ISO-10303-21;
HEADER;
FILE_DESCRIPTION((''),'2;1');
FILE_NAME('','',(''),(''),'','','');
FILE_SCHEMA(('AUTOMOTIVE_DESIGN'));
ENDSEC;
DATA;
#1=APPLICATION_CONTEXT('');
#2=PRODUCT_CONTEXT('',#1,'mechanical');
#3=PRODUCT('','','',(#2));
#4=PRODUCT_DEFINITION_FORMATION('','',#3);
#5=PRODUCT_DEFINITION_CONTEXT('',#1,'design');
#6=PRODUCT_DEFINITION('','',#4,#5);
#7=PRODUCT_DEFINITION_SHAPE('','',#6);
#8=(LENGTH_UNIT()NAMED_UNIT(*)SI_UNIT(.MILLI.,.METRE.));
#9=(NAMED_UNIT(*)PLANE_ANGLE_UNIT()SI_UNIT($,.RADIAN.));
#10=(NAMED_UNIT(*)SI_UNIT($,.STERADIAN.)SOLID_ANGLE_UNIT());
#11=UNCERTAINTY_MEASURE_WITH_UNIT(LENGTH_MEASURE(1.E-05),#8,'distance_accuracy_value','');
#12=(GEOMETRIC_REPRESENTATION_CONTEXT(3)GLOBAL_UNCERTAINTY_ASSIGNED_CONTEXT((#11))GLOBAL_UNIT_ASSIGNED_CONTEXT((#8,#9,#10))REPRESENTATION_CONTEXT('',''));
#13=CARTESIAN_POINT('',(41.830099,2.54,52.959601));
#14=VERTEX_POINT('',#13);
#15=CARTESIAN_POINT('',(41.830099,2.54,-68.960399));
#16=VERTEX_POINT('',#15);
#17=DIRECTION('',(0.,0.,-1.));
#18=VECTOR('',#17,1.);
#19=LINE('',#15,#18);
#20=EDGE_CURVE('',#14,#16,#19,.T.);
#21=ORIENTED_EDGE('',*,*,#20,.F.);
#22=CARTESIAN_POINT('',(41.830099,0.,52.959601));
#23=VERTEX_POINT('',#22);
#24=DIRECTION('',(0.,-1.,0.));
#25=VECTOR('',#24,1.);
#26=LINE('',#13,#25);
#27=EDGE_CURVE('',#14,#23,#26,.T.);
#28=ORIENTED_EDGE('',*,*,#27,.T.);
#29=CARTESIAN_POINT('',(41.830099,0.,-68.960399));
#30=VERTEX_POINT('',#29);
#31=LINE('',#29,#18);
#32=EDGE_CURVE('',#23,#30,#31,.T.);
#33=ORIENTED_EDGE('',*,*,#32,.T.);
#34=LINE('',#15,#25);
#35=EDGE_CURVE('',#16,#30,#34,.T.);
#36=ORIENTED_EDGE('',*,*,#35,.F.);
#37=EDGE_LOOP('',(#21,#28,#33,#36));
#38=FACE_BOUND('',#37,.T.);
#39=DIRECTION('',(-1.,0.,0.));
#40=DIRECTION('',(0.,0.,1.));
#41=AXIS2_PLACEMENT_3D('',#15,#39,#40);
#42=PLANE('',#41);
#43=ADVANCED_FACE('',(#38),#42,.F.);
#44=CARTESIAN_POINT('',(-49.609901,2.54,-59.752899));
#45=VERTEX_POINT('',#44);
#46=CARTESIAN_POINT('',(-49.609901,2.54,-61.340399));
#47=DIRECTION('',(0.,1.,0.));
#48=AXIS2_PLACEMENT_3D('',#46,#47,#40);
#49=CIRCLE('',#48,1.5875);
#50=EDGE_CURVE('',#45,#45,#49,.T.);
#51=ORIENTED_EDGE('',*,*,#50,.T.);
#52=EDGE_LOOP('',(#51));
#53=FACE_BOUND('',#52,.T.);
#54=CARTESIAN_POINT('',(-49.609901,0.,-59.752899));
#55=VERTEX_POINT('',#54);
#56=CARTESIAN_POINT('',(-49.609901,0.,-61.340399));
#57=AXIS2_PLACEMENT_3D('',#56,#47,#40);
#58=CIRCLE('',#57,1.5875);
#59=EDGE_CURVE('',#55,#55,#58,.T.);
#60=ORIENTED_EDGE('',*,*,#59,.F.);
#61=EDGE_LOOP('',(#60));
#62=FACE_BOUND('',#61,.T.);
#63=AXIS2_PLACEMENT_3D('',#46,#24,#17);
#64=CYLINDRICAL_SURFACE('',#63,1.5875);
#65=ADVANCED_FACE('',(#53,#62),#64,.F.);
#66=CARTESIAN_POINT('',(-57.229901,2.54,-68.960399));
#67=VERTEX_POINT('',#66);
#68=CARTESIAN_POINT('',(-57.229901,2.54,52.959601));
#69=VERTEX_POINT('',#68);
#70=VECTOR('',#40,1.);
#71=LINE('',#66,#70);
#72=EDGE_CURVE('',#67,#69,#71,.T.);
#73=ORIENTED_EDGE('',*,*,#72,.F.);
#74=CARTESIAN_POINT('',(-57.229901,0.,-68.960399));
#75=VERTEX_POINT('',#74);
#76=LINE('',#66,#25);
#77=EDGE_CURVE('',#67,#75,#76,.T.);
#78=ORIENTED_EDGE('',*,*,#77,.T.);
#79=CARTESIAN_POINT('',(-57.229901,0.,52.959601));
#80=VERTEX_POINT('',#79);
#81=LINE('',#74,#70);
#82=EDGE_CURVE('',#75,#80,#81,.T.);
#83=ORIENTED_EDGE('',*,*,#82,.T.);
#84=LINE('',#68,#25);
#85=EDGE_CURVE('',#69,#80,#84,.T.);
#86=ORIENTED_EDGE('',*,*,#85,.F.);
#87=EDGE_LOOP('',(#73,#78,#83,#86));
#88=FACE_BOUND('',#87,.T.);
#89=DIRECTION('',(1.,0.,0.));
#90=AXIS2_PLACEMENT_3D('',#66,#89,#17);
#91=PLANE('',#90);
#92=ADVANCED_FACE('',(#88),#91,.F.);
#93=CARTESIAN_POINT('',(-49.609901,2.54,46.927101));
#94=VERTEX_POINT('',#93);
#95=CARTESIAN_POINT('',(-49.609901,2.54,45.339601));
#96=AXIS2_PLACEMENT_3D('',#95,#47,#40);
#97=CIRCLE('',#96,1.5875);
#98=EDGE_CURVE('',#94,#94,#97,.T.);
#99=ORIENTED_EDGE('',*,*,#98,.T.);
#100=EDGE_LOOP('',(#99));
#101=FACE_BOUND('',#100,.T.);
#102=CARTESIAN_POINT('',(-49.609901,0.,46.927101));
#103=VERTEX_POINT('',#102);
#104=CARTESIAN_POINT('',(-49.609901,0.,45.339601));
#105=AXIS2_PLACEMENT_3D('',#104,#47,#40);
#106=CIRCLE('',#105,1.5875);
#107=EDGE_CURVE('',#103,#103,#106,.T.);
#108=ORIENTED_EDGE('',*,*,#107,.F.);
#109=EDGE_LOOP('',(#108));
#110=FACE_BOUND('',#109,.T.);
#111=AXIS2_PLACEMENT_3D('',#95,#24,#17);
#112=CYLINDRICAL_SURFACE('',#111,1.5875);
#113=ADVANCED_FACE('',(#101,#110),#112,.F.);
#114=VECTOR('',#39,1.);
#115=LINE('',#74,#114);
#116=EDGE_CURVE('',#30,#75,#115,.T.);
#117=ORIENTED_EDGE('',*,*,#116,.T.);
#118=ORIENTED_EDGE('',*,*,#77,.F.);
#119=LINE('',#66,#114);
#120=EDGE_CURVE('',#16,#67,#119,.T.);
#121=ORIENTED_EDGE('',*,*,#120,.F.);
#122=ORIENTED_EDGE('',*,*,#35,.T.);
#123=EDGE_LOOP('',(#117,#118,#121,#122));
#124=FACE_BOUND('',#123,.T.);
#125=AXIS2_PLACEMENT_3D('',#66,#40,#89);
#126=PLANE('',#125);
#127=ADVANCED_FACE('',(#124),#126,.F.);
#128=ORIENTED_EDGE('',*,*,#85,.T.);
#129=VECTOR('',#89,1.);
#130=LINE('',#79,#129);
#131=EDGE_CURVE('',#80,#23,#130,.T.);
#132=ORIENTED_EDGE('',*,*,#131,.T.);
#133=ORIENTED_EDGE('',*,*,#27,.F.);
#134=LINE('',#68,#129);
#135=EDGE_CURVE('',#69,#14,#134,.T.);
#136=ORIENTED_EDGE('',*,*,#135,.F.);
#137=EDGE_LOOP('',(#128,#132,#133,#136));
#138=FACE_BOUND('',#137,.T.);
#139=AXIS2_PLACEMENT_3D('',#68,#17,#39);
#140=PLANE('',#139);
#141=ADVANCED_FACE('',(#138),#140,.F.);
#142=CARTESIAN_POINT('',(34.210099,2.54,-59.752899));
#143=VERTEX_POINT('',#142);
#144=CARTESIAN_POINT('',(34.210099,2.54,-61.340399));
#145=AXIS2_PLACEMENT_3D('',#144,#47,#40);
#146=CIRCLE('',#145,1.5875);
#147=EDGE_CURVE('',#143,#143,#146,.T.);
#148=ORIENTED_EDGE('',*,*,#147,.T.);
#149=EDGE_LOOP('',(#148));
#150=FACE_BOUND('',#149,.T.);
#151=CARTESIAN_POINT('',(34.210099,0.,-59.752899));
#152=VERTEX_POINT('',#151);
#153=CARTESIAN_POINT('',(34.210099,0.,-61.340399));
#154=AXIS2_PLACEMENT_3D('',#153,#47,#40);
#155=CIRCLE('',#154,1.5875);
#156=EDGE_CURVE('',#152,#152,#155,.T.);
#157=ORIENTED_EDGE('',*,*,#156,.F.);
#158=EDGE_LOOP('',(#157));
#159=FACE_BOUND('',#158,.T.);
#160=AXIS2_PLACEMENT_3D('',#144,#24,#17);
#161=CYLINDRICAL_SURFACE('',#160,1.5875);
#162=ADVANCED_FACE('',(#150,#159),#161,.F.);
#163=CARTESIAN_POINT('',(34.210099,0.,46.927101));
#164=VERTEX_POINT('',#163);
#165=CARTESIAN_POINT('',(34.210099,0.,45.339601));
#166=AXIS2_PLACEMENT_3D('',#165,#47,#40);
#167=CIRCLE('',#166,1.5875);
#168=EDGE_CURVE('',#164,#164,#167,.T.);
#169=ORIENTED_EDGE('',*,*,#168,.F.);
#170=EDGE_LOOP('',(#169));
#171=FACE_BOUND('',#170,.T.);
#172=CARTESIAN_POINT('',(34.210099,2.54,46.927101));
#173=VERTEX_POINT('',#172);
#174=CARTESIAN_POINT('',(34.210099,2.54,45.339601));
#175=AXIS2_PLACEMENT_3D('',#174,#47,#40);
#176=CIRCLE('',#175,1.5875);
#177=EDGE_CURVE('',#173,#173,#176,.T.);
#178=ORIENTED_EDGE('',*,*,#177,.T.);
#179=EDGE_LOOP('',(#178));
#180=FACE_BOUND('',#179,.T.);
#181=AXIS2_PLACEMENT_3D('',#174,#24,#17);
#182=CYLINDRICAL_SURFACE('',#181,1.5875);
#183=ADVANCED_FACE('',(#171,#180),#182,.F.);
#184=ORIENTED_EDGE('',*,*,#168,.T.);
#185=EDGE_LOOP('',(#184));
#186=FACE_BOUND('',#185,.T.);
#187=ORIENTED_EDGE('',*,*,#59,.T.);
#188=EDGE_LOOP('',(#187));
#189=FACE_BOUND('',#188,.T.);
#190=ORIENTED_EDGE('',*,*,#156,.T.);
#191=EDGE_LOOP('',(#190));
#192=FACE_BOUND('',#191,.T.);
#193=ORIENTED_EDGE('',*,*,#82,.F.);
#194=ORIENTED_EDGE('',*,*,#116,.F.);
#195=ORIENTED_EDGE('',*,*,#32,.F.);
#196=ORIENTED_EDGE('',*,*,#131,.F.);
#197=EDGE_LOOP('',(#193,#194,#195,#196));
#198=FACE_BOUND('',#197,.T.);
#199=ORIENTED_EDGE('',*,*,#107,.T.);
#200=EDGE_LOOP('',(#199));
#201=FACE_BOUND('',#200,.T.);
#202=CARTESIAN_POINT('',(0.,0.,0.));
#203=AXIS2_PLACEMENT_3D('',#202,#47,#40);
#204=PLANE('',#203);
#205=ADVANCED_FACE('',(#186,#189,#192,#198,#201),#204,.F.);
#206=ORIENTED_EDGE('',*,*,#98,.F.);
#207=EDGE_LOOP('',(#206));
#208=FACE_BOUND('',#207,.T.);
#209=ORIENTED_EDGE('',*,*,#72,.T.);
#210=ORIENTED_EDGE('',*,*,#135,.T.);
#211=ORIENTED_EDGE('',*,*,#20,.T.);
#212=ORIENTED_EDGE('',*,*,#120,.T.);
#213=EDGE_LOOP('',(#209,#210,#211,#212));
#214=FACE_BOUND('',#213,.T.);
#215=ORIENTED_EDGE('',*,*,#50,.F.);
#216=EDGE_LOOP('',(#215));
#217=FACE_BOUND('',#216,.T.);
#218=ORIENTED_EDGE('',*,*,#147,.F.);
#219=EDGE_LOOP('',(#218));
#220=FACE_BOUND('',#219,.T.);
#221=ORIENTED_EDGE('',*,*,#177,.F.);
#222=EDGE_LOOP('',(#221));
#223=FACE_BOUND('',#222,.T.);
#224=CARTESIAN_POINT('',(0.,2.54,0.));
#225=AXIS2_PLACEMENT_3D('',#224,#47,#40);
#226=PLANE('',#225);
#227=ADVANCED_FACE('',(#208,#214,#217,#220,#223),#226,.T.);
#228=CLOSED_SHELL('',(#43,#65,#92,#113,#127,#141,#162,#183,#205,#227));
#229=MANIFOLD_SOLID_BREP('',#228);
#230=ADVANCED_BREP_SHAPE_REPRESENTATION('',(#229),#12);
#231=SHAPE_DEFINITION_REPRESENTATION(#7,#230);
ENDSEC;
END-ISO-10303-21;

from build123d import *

# Parameters (mm, degrees)
SKETCH1_W           = 99.06
SKETCH1_H           = 121.92
SKETCH1_R           = 1.5875
BOSS_EXTRUDE1_DEPTH = 2.54


with BuildPart() as part:
    # Sketch1 → Boss-Extrude1 (new body)
    with BuildSketch(Plane(origin=(0, 0, 0), x_dir=(1, 0, 0), z_dir=(0, 1, 0))):
        with Locations((-7.699901001, 8.000399362)):
            Rectangle(SKETCH1_W, SKETCH1_H)
        with Locations(Location((-49.609901001, 61.340399362, 0), (0, 0, 270))):
            Circle(SKETCH1_R, mode=Mode.SUBTRACT)
        with Locations(Location((34.210098999, 61.340399362, 0), (0, 0, 270))):
            Circle(SKETCH1_R, mode=Mode.SUBTRACT)
        with Locations(Location((-49.609901001, -45.339600638, 0), (0, 0, 270))):
            Circle(SKETCH1_R, mode=Mode.SUBTRACT)
        with Locations(Location((34.210098999, -45.339600638, 0), (0, 0, 270))):
            Circle(SKETCH1_R, mode=Mode.SUBTRACT)
    extrude(amount=BOSS_EXTRUDE1_DEPTH)


solid = part.part
